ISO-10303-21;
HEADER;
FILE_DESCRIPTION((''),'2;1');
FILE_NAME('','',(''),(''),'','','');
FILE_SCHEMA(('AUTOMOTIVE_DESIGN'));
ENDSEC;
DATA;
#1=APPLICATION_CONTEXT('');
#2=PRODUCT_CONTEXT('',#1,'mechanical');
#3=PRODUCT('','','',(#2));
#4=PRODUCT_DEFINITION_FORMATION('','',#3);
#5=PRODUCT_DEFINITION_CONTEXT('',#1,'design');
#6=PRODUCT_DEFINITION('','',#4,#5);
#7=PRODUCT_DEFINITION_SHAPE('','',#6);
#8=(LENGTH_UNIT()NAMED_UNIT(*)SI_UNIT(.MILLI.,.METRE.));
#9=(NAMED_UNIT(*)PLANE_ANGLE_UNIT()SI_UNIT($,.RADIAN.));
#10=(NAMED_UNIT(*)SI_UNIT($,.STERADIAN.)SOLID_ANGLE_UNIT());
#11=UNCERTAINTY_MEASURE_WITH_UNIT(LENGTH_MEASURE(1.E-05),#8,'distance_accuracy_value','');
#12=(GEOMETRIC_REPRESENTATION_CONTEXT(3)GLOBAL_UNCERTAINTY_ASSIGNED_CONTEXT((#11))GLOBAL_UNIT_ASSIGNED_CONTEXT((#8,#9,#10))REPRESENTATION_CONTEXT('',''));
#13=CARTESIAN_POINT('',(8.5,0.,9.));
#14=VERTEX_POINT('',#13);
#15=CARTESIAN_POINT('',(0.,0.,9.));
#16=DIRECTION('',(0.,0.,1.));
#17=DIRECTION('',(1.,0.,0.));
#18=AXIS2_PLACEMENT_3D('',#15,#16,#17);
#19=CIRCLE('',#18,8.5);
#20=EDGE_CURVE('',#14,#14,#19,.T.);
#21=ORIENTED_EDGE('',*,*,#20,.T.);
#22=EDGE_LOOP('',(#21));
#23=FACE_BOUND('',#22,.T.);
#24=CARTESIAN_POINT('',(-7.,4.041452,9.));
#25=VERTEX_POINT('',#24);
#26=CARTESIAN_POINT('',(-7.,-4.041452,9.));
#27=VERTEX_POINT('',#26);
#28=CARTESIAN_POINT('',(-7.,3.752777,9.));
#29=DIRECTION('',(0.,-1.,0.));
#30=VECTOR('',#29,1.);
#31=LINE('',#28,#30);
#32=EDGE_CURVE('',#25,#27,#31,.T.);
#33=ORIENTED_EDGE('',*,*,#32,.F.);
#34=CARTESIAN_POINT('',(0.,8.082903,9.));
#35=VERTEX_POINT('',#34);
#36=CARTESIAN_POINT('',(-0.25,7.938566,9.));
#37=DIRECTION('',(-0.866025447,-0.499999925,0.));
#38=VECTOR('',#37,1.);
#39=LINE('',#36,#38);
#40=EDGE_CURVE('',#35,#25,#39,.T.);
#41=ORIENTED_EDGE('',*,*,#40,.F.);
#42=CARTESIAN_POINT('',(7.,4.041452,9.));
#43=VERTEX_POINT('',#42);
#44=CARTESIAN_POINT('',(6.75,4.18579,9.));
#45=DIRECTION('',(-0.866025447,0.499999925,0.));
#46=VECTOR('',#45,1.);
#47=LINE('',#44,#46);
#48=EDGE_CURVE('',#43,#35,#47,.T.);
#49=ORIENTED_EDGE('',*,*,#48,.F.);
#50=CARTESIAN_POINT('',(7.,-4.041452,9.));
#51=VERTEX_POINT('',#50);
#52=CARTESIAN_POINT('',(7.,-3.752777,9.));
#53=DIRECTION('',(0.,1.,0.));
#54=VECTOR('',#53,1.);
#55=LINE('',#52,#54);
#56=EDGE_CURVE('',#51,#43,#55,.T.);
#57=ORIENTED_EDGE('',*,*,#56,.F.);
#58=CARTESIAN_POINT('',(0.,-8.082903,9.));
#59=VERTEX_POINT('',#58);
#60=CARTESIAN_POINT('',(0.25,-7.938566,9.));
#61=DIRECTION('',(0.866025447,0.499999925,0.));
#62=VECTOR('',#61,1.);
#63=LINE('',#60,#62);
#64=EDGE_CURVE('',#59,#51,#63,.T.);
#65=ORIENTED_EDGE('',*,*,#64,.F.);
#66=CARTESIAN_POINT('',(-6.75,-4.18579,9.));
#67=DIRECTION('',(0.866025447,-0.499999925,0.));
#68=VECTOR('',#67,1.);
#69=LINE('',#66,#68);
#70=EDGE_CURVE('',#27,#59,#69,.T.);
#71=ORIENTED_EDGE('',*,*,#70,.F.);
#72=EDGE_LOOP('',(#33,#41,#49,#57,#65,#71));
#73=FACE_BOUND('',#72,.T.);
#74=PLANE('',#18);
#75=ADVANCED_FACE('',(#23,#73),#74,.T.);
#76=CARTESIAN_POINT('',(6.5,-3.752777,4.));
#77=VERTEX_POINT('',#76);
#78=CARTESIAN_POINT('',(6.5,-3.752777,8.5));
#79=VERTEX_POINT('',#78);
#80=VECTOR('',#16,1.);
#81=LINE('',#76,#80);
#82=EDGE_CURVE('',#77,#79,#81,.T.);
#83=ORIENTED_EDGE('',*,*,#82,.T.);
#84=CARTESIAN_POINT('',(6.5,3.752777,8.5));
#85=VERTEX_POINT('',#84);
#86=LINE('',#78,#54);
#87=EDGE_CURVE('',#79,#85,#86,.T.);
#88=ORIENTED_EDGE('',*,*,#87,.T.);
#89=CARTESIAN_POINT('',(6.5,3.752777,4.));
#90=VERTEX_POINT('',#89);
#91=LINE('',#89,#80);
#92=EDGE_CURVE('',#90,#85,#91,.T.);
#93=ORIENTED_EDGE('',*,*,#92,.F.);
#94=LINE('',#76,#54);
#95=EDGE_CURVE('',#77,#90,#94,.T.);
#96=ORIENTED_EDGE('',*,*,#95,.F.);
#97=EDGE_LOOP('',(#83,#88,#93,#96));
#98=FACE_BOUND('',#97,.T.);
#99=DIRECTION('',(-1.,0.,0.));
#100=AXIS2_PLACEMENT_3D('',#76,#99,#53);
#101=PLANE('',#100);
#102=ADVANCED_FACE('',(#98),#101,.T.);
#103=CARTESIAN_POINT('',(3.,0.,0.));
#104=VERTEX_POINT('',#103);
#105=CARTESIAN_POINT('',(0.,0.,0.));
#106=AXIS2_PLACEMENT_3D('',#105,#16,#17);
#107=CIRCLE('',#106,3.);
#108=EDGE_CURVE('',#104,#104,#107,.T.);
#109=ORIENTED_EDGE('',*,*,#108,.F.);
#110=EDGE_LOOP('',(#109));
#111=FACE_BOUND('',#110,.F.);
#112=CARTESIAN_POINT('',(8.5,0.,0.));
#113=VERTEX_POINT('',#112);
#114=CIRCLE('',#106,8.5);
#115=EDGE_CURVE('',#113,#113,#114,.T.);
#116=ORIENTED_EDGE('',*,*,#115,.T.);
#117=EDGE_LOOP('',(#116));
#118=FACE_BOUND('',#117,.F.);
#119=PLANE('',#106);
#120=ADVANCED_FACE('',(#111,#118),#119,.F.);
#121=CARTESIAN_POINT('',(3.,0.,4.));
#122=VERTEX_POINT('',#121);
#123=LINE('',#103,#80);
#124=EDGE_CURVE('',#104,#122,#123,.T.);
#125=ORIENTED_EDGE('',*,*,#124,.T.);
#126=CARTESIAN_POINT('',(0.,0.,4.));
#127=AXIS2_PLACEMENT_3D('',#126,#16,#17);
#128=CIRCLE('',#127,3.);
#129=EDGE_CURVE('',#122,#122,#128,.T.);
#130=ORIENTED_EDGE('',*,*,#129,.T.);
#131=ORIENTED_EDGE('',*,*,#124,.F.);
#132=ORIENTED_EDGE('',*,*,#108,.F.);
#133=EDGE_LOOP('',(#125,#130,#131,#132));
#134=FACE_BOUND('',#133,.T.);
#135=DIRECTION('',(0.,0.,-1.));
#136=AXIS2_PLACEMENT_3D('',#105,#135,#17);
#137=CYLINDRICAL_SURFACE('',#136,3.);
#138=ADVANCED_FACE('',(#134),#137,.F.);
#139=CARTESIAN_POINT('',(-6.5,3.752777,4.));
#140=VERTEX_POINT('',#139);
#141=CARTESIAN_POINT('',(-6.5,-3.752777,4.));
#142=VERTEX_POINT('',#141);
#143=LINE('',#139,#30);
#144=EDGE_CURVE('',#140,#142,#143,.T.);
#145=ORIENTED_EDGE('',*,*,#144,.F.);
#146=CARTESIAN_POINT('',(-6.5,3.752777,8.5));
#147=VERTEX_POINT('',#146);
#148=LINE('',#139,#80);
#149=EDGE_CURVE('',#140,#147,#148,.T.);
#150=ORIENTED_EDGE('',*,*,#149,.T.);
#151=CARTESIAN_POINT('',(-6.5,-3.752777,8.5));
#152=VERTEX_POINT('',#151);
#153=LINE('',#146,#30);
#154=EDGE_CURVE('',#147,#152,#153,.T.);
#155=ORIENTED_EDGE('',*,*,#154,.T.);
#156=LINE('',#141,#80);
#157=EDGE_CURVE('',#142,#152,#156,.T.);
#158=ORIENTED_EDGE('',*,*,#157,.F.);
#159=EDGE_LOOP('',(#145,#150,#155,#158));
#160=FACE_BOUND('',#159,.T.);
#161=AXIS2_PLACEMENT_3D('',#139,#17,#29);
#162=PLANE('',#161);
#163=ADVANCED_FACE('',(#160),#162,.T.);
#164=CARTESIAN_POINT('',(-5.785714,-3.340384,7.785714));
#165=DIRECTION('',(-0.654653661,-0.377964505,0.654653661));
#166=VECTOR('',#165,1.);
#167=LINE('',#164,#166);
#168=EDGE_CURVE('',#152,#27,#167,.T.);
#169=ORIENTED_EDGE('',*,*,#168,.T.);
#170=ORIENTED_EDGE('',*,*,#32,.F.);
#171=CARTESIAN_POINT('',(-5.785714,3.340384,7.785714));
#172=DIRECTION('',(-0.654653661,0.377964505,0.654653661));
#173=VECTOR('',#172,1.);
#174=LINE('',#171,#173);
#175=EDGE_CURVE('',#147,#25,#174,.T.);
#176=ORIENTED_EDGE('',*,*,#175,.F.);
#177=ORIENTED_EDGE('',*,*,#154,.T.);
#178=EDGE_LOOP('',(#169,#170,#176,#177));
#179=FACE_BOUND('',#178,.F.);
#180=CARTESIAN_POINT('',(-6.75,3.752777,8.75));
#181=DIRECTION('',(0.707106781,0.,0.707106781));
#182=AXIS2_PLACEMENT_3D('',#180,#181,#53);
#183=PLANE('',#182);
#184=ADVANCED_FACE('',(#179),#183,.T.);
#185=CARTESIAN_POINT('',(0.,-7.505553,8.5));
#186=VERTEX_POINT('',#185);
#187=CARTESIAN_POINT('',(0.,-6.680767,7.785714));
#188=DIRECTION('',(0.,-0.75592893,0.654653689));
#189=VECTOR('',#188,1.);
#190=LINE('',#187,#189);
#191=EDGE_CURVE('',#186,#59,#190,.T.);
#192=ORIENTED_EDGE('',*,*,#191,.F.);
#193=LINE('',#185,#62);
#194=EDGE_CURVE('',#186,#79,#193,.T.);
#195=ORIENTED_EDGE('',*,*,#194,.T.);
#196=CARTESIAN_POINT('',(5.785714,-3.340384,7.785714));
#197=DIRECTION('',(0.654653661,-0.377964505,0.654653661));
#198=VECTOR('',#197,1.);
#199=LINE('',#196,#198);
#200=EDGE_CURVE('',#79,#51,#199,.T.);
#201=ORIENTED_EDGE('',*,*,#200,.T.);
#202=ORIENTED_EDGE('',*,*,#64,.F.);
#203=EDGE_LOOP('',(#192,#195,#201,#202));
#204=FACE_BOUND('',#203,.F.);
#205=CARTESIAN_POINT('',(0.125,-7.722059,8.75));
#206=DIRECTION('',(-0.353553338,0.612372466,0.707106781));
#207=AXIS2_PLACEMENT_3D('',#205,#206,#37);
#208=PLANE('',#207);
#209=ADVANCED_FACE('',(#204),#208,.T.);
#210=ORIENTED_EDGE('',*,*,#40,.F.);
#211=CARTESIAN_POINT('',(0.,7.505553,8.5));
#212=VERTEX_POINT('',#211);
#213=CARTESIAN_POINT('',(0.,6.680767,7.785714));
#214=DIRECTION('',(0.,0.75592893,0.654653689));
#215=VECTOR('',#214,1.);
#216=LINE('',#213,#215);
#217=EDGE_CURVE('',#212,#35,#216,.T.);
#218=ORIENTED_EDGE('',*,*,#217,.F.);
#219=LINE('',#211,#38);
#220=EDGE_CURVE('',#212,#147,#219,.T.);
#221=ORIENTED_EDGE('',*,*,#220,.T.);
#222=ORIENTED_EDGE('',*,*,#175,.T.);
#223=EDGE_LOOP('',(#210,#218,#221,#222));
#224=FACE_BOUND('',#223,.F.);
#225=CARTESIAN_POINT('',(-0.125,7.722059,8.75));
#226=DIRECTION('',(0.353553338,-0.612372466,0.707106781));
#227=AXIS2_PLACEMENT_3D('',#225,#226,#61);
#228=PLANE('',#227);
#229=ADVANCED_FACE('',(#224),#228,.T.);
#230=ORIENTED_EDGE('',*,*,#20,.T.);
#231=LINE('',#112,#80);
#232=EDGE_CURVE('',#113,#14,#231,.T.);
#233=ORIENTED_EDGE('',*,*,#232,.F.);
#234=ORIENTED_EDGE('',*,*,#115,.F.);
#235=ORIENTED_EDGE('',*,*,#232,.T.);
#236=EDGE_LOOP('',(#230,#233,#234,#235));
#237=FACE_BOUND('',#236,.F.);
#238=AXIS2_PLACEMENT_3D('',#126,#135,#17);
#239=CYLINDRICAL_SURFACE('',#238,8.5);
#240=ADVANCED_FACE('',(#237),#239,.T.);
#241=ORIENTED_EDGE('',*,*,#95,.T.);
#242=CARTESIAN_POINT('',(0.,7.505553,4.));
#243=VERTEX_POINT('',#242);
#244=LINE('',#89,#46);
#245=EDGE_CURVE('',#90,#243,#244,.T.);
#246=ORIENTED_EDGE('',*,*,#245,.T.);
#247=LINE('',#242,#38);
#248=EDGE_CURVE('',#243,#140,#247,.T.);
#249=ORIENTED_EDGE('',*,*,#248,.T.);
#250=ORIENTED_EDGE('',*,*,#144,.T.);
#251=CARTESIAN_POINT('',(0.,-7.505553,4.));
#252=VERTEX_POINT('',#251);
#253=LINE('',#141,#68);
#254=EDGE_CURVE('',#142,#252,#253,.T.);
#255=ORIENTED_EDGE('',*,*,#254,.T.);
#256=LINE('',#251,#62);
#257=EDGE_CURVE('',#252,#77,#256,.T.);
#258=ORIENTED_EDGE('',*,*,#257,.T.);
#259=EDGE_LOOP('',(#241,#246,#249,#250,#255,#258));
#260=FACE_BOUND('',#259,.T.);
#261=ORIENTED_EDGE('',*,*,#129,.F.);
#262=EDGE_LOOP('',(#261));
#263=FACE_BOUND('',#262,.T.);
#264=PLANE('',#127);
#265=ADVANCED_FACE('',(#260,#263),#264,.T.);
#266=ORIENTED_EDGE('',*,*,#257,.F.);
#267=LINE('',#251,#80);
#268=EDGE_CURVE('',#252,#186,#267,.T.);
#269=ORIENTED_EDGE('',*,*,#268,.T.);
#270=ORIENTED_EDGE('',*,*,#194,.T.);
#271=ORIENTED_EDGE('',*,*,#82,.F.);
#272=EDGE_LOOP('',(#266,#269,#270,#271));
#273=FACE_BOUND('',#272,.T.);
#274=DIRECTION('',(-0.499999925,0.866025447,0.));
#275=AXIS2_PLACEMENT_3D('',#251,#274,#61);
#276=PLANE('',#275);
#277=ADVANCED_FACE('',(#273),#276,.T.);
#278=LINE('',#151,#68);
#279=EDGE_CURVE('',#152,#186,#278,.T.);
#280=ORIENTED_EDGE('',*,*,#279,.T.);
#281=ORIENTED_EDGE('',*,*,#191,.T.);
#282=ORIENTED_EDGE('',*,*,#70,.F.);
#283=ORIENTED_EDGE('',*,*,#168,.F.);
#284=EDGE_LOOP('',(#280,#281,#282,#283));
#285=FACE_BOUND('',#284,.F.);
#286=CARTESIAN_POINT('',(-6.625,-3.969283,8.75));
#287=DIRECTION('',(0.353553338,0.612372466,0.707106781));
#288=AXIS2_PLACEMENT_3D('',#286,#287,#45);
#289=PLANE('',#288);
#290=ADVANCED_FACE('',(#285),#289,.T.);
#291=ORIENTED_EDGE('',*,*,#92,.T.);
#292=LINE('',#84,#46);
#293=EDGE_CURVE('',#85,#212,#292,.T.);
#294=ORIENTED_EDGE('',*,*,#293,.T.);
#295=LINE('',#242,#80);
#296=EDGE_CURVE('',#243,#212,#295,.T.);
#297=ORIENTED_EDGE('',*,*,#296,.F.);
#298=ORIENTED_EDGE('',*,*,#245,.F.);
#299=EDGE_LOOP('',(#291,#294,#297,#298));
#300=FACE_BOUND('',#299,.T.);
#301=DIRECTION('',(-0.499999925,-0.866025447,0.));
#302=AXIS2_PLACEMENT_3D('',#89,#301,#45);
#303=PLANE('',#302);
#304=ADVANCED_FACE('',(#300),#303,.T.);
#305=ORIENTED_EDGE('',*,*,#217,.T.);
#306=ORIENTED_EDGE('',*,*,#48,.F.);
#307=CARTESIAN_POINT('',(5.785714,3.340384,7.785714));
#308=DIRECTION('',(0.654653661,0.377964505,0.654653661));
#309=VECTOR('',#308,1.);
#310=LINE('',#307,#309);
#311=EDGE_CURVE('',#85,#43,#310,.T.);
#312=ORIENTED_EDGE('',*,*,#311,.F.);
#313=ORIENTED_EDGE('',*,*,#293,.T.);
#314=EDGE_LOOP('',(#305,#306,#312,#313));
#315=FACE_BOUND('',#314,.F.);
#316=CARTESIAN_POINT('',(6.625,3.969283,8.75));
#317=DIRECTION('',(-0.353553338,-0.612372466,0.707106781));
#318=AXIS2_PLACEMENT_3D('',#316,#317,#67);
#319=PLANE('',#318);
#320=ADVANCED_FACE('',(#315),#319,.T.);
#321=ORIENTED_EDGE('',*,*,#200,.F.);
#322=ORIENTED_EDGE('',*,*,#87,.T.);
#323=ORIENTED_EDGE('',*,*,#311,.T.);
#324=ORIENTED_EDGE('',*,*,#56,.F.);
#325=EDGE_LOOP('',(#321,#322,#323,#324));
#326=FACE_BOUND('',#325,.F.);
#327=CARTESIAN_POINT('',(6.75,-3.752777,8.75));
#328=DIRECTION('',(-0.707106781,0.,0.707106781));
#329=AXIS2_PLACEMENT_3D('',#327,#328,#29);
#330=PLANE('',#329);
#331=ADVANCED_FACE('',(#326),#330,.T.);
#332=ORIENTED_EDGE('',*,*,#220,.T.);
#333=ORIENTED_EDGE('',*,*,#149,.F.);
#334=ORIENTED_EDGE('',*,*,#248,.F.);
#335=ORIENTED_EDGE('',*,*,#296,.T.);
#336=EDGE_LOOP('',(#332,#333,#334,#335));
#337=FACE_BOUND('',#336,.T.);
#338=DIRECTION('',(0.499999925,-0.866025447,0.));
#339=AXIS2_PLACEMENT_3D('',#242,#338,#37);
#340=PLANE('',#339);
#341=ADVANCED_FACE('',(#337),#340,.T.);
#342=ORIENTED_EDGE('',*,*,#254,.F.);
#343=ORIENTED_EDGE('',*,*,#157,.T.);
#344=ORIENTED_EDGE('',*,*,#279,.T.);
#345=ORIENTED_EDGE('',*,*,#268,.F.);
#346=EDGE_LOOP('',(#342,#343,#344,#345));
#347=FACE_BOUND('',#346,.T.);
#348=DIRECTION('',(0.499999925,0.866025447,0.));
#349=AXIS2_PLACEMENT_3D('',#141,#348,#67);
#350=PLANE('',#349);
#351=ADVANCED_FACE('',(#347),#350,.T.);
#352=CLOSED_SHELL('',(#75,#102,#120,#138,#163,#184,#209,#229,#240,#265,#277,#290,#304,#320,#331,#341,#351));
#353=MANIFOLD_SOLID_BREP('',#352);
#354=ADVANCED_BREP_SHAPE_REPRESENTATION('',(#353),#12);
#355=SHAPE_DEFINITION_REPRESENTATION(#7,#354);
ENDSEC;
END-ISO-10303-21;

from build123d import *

# Parameters (mm, degrees)
SKETCH_R     = 8.5
SKETCH_R_2   = 3
PAD_DEPTH    = 4
SKETCH001_R  = 8.5
PAD001_DEPTH = 5
CHAMFER_SIZE = 0.5


with BuildPart() as part:
    # Sketch → Pad (new body)
    with BuildSketch(Plane.XY):
        Circle(SKETCH_R)
        Circle(SKETCH_R_2, mode=Mode.SUBTRACT)
    extrude(amount=PAD_DEPTH)

    # Sketch001 (on Face4 of Pad) → Pad001 (join)
    with BuildSketch(Plane.XY.offset(4)):
        Circle(SKETCH001_R)
        Polygon((6.5, -3.752777), (6.5, 3.752777), (0, 7.505553), (-6.5, 3.752777), (-6.5, -3.752777), (0, -7.505553), align=None, mode=Mode.SUBTRACT)
    extrude(amount=PAD001_DEPTH)

    # Chamfer
    chamfer_edges = [part.edges().sort_by_distance(p)[0] for p in [
        (-3.25, 5.629165, 9),
        (3.25, 5.629165, 9),
        (6.5, 0, 9),
        (3.25, -5.629165, 9),
        (-3.25, -5.629165, 9),
        (-6.5, 0, 9),
    ]]
    chamfer(chamfer_edges, length=CHAMFER_SIZE)


solid = part.part
